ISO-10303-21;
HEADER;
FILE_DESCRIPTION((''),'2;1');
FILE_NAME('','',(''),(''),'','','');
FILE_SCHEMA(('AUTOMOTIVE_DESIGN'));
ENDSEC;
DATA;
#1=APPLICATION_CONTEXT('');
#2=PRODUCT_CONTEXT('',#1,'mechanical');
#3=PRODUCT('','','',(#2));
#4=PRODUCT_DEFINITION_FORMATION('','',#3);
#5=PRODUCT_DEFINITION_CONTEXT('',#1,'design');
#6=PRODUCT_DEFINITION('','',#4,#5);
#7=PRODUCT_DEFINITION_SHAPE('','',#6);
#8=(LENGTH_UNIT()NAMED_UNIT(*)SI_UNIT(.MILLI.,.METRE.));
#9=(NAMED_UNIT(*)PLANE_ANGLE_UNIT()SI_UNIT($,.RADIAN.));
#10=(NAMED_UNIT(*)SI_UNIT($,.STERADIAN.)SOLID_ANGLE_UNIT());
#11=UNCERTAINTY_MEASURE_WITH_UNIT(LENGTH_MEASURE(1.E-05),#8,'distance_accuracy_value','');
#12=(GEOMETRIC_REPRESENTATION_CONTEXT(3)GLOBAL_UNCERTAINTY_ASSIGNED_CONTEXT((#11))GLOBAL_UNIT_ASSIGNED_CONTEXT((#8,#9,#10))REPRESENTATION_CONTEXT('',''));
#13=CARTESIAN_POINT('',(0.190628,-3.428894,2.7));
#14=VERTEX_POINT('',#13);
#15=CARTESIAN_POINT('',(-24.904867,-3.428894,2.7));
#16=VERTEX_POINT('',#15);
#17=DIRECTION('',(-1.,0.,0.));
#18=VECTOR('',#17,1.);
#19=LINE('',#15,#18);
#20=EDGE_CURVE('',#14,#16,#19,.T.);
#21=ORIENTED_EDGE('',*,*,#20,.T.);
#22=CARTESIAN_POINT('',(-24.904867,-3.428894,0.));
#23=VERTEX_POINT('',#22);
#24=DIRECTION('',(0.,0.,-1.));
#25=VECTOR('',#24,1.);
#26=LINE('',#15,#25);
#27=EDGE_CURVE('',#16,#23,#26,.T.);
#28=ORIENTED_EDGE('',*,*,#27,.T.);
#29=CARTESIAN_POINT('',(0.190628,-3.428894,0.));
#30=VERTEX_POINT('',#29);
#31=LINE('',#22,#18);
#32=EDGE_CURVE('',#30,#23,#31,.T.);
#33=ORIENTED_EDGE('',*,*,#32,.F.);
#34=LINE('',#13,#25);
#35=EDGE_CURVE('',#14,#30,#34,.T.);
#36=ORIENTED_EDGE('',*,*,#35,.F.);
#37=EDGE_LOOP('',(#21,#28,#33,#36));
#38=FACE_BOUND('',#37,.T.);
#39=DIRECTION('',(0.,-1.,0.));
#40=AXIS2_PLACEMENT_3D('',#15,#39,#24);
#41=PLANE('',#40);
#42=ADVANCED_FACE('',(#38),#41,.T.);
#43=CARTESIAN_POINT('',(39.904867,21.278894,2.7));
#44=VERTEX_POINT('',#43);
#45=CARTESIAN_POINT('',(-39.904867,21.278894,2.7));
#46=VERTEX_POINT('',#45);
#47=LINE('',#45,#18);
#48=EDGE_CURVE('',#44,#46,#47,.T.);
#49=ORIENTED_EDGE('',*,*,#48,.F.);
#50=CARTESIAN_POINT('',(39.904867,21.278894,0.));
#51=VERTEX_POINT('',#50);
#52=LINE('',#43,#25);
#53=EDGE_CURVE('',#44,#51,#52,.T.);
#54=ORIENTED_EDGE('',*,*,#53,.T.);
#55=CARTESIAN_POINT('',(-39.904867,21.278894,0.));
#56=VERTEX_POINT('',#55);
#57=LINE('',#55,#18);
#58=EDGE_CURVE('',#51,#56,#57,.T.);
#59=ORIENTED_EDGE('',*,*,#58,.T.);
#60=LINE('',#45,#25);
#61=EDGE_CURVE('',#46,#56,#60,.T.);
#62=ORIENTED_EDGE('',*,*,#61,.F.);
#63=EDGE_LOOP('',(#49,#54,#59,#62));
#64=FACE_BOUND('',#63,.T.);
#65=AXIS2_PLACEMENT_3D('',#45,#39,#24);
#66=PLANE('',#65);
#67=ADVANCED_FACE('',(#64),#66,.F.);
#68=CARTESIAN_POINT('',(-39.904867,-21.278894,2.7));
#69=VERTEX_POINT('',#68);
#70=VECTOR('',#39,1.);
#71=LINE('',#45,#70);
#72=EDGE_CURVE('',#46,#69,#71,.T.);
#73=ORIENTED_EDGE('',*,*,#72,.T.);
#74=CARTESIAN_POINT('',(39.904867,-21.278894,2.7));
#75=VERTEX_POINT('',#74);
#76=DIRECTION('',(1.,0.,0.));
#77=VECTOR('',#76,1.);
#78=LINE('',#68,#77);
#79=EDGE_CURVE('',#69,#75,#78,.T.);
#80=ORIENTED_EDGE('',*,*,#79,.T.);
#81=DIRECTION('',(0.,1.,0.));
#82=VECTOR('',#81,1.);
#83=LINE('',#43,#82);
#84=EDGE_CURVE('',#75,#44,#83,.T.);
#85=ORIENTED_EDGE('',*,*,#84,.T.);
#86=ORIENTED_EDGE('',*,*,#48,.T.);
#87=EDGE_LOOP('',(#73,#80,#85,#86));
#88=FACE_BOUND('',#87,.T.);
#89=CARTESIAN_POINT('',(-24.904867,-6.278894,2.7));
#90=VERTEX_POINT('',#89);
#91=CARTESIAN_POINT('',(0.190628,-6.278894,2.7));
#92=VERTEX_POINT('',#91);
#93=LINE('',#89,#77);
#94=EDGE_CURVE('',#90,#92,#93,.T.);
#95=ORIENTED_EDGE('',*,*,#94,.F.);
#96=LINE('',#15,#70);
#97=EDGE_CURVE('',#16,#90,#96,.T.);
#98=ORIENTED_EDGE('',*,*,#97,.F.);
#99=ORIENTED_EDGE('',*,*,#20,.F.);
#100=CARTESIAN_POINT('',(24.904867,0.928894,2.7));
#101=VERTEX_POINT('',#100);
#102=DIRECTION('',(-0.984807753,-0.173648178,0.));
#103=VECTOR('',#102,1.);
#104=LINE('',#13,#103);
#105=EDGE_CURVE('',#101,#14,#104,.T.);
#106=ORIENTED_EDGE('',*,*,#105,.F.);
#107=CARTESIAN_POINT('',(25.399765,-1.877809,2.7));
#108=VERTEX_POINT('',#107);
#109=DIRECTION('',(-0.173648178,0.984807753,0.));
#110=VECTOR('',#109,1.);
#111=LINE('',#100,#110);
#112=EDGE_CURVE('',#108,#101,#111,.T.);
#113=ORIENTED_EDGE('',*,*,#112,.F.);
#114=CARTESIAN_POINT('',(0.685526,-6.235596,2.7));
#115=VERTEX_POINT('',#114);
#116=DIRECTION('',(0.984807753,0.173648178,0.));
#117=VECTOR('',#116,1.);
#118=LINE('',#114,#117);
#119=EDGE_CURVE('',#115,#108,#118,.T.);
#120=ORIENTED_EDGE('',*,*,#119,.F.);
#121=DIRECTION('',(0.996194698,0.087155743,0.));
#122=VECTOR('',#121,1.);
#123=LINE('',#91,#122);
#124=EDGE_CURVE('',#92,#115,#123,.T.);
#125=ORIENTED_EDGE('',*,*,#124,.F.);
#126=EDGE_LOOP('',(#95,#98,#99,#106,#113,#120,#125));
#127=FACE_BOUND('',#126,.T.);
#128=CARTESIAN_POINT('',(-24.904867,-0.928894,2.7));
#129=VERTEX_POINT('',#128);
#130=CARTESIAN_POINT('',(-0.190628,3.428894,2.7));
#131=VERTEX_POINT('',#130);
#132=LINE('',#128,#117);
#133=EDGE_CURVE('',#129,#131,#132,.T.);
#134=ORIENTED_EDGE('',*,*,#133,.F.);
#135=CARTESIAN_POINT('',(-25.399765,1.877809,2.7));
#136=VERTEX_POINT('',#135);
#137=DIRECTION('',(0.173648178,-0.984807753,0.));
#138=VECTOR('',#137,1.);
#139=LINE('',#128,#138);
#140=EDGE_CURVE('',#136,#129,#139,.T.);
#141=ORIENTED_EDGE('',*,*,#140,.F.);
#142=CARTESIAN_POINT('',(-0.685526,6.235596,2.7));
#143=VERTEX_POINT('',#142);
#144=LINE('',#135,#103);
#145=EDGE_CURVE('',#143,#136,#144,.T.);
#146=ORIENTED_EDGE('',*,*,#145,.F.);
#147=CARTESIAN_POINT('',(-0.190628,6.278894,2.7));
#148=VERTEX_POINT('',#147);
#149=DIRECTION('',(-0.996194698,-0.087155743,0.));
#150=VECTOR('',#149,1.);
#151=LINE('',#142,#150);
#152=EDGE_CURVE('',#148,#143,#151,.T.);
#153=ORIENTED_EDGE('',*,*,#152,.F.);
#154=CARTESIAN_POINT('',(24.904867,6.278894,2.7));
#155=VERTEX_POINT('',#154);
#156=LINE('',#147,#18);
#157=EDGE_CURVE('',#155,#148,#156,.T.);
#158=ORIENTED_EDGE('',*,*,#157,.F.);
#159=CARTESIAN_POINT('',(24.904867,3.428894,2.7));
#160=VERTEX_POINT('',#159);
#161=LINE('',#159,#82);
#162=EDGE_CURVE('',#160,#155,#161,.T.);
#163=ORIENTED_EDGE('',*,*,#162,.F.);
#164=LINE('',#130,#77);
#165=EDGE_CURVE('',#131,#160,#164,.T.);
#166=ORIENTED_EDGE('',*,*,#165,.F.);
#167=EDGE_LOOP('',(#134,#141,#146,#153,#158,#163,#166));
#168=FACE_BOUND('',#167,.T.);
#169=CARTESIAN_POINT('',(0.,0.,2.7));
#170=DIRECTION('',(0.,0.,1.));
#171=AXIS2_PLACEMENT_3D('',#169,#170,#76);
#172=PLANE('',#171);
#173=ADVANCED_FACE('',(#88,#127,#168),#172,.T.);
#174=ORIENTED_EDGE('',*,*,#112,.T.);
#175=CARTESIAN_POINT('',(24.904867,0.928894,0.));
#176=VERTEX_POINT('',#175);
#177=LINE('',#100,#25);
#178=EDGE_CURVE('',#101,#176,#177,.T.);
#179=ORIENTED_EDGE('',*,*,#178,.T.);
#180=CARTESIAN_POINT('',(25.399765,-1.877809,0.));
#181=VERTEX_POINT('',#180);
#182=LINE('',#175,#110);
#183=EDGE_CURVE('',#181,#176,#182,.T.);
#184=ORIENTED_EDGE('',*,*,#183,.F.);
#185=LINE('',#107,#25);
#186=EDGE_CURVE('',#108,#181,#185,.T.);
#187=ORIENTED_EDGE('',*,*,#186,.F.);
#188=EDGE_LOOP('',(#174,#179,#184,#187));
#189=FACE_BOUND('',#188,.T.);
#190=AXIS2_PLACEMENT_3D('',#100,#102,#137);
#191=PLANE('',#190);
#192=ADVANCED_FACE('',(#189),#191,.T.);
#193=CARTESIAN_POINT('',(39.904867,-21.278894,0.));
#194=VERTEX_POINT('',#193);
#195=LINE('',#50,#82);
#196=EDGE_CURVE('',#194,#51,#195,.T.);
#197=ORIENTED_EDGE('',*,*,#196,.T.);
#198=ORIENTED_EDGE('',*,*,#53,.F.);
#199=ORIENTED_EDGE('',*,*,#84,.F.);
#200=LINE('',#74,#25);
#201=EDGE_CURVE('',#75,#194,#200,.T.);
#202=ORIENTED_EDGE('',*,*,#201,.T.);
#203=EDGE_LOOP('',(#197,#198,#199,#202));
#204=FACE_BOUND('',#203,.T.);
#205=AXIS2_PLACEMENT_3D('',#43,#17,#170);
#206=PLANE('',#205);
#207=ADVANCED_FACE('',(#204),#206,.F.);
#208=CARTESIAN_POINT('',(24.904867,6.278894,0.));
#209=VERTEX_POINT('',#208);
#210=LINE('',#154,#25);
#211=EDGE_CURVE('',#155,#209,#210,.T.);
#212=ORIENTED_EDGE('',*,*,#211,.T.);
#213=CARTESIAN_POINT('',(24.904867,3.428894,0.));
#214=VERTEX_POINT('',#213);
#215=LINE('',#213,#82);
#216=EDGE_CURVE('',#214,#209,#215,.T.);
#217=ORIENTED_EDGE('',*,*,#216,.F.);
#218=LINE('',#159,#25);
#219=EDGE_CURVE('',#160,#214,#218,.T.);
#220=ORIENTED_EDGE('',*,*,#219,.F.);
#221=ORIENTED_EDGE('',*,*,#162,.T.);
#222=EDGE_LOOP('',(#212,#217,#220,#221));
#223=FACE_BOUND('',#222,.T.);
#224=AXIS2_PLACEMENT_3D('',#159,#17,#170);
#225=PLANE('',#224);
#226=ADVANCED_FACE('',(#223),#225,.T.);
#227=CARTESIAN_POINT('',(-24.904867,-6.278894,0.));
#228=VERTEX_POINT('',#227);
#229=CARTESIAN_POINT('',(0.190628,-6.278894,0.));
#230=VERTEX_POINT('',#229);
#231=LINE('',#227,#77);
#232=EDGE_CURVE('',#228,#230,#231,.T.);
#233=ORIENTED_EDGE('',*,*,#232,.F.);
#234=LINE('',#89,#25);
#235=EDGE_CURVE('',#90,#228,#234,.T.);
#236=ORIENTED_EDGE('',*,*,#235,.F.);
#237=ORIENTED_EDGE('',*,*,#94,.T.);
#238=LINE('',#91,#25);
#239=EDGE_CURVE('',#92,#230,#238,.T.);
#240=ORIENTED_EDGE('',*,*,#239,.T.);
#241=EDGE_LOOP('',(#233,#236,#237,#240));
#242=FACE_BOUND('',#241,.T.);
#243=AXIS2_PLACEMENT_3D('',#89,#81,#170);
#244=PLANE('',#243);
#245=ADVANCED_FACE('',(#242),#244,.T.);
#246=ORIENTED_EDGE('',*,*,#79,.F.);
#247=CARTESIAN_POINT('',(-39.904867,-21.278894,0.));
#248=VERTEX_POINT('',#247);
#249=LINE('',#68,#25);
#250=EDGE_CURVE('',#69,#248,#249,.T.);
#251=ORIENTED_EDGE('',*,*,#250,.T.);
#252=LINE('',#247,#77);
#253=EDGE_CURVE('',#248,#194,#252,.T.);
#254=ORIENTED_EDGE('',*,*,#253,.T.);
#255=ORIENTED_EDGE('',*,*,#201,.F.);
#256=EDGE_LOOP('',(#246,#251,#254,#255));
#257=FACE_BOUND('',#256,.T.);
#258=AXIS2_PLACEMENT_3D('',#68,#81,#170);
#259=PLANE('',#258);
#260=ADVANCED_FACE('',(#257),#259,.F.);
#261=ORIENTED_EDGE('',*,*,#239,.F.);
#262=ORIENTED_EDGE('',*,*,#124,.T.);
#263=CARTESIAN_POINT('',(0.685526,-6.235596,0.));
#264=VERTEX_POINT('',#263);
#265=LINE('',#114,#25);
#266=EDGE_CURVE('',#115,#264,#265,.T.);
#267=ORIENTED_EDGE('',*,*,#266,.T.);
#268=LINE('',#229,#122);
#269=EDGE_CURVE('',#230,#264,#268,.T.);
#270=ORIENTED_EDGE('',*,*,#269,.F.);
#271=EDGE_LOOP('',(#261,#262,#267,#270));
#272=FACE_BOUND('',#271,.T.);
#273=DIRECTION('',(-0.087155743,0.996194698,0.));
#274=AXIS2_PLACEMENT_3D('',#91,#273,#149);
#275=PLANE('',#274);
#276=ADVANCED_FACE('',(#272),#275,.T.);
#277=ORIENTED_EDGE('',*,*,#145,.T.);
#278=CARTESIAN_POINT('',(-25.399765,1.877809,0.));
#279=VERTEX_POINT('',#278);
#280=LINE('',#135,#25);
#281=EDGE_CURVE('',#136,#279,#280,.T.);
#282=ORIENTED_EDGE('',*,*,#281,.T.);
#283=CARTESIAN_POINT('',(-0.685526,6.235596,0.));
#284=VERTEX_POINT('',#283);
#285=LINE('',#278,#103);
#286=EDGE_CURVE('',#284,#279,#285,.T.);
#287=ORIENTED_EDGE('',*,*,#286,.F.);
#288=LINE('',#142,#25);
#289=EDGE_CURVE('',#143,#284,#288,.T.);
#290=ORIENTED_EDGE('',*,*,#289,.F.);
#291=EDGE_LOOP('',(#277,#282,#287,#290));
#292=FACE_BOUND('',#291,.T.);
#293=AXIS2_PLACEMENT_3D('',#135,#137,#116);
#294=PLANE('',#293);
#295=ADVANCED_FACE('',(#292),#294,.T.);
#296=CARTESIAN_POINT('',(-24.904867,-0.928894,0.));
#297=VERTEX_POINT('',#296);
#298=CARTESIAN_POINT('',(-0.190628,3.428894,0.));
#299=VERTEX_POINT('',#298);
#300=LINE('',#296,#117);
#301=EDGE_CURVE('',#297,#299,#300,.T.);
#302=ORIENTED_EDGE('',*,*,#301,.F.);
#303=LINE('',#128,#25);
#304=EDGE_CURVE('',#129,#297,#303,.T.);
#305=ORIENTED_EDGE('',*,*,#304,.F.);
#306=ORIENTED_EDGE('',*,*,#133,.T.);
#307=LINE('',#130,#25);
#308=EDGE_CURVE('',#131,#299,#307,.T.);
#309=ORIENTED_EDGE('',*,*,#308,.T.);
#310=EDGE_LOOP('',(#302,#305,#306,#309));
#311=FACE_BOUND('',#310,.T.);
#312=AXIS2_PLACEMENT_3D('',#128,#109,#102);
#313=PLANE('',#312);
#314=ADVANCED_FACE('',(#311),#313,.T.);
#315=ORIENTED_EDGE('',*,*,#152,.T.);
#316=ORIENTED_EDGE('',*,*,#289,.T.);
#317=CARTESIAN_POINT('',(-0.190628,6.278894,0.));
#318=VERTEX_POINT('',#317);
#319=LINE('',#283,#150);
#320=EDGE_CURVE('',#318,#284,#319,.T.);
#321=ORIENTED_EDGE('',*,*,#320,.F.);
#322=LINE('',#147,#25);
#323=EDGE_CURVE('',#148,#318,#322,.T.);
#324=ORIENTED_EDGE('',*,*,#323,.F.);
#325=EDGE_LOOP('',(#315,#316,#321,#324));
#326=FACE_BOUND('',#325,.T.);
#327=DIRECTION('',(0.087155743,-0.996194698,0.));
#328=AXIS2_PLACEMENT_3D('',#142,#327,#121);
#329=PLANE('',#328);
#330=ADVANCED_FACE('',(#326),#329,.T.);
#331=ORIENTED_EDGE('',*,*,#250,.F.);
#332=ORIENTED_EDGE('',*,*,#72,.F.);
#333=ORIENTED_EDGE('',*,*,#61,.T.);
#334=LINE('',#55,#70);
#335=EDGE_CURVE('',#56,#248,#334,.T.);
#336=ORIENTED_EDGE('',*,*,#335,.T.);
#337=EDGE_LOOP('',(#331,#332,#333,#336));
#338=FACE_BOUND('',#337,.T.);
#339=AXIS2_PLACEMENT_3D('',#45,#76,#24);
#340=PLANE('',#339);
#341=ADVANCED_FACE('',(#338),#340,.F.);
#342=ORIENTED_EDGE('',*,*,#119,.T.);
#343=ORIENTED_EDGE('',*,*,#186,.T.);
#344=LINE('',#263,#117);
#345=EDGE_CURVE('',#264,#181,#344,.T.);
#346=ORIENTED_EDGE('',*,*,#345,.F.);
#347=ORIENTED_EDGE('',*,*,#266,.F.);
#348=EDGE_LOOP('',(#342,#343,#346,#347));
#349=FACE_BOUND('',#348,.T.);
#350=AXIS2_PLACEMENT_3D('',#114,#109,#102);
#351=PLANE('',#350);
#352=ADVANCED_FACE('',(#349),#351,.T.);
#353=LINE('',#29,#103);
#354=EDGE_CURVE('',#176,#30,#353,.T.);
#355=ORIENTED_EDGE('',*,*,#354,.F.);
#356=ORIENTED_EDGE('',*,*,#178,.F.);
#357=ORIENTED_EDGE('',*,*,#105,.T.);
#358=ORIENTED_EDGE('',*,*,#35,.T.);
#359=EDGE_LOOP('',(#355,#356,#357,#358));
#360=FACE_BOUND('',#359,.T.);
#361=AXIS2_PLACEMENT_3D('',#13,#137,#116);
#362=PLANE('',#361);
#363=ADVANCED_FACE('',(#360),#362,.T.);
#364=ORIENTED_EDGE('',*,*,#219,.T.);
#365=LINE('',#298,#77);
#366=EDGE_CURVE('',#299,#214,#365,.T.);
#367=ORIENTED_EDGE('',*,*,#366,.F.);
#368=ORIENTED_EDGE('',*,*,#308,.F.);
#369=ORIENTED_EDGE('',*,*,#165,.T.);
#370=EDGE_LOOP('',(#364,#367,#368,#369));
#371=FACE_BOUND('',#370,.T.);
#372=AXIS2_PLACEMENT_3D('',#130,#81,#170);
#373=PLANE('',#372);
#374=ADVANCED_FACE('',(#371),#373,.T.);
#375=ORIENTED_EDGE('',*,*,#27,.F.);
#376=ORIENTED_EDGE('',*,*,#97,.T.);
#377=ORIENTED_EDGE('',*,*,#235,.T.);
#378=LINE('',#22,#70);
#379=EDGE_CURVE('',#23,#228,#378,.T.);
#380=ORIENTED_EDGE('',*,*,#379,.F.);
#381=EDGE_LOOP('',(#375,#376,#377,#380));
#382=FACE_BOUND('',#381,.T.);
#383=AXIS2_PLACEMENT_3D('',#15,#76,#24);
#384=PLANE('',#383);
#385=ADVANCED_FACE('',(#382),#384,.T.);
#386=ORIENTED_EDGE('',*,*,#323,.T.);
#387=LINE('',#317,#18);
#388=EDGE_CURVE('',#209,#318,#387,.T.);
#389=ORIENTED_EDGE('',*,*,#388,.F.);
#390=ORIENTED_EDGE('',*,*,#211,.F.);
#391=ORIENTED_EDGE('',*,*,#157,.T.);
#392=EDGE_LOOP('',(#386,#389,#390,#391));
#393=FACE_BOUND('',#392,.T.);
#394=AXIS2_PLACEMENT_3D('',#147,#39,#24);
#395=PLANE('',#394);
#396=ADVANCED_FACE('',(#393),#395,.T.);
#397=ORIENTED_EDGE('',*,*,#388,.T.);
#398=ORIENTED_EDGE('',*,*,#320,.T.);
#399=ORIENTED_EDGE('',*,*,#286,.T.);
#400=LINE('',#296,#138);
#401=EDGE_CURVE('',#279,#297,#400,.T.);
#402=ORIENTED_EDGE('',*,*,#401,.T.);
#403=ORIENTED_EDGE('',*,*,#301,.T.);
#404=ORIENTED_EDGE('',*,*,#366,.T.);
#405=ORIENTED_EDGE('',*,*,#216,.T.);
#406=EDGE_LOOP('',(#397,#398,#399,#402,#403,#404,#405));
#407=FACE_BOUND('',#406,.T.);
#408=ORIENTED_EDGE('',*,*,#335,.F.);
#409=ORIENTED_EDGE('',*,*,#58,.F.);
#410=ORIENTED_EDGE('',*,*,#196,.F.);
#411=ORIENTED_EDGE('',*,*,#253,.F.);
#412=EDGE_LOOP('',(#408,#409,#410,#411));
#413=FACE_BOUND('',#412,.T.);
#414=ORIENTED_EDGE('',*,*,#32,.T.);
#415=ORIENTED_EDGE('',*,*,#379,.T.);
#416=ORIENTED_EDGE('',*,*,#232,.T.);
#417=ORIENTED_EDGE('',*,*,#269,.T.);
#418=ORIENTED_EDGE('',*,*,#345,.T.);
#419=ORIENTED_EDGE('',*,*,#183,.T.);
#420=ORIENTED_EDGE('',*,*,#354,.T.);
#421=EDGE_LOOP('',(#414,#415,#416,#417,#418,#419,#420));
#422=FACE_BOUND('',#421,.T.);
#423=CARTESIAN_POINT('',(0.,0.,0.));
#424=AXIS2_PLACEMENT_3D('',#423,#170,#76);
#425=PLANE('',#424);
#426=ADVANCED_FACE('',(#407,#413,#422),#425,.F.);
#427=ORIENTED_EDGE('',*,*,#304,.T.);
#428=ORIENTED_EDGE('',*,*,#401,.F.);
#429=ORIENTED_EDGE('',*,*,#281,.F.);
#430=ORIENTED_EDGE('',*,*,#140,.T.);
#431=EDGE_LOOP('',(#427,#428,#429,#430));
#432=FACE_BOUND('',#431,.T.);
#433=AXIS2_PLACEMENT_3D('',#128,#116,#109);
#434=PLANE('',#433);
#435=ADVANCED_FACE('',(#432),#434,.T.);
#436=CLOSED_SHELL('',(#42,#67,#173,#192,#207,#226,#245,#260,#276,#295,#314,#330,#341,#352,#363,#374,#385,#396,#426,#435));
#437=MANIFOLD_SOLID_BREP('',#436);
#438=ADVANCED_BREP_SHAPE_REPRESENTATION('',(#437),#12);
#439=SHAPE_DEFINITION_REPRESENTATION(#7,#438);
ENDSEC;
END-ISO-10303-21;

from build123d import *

# Parameters (mm, degrees)
SKETCH1_W           = 79.809734904
SKETCH1_H           = 42.557787138
BOSS_EXTRUDE1_DEPTH = 2.7


with BuildPart() as part:
    # Sketch1 → Boss-Extrude1 (new body)
    with BuildSketch(Plane.XY):
        Rectangle(SKETCH1_W, SKETCH1_H)
        Polygon((-24.904867452, -0.928893569), (-0.190628486, 3.428893569), (24.904867452, 3.428893569), (24.904867452, 6.278893569), (-0.190628486, 6.278893569), (-0.685525793, 6.235595665), (-25.399764759, 1.877808527), align=None, mode=Mode.SUBTRACT)
        Polygon((-24.904867452, -3.428893569), (0.190628486, -3.428893569), (24.904867452, 0.928893569), (25.399764759, -1.877808527), (0.685525793, -6.235595665), (0.190628486, -6.278893569), (-24.904867452, -6.278893569), align=None, mode=Mode.SUBTRACT)
    extrude(amount=BOSS_EXTRUDE1_DEPTH)


solid = part.part
